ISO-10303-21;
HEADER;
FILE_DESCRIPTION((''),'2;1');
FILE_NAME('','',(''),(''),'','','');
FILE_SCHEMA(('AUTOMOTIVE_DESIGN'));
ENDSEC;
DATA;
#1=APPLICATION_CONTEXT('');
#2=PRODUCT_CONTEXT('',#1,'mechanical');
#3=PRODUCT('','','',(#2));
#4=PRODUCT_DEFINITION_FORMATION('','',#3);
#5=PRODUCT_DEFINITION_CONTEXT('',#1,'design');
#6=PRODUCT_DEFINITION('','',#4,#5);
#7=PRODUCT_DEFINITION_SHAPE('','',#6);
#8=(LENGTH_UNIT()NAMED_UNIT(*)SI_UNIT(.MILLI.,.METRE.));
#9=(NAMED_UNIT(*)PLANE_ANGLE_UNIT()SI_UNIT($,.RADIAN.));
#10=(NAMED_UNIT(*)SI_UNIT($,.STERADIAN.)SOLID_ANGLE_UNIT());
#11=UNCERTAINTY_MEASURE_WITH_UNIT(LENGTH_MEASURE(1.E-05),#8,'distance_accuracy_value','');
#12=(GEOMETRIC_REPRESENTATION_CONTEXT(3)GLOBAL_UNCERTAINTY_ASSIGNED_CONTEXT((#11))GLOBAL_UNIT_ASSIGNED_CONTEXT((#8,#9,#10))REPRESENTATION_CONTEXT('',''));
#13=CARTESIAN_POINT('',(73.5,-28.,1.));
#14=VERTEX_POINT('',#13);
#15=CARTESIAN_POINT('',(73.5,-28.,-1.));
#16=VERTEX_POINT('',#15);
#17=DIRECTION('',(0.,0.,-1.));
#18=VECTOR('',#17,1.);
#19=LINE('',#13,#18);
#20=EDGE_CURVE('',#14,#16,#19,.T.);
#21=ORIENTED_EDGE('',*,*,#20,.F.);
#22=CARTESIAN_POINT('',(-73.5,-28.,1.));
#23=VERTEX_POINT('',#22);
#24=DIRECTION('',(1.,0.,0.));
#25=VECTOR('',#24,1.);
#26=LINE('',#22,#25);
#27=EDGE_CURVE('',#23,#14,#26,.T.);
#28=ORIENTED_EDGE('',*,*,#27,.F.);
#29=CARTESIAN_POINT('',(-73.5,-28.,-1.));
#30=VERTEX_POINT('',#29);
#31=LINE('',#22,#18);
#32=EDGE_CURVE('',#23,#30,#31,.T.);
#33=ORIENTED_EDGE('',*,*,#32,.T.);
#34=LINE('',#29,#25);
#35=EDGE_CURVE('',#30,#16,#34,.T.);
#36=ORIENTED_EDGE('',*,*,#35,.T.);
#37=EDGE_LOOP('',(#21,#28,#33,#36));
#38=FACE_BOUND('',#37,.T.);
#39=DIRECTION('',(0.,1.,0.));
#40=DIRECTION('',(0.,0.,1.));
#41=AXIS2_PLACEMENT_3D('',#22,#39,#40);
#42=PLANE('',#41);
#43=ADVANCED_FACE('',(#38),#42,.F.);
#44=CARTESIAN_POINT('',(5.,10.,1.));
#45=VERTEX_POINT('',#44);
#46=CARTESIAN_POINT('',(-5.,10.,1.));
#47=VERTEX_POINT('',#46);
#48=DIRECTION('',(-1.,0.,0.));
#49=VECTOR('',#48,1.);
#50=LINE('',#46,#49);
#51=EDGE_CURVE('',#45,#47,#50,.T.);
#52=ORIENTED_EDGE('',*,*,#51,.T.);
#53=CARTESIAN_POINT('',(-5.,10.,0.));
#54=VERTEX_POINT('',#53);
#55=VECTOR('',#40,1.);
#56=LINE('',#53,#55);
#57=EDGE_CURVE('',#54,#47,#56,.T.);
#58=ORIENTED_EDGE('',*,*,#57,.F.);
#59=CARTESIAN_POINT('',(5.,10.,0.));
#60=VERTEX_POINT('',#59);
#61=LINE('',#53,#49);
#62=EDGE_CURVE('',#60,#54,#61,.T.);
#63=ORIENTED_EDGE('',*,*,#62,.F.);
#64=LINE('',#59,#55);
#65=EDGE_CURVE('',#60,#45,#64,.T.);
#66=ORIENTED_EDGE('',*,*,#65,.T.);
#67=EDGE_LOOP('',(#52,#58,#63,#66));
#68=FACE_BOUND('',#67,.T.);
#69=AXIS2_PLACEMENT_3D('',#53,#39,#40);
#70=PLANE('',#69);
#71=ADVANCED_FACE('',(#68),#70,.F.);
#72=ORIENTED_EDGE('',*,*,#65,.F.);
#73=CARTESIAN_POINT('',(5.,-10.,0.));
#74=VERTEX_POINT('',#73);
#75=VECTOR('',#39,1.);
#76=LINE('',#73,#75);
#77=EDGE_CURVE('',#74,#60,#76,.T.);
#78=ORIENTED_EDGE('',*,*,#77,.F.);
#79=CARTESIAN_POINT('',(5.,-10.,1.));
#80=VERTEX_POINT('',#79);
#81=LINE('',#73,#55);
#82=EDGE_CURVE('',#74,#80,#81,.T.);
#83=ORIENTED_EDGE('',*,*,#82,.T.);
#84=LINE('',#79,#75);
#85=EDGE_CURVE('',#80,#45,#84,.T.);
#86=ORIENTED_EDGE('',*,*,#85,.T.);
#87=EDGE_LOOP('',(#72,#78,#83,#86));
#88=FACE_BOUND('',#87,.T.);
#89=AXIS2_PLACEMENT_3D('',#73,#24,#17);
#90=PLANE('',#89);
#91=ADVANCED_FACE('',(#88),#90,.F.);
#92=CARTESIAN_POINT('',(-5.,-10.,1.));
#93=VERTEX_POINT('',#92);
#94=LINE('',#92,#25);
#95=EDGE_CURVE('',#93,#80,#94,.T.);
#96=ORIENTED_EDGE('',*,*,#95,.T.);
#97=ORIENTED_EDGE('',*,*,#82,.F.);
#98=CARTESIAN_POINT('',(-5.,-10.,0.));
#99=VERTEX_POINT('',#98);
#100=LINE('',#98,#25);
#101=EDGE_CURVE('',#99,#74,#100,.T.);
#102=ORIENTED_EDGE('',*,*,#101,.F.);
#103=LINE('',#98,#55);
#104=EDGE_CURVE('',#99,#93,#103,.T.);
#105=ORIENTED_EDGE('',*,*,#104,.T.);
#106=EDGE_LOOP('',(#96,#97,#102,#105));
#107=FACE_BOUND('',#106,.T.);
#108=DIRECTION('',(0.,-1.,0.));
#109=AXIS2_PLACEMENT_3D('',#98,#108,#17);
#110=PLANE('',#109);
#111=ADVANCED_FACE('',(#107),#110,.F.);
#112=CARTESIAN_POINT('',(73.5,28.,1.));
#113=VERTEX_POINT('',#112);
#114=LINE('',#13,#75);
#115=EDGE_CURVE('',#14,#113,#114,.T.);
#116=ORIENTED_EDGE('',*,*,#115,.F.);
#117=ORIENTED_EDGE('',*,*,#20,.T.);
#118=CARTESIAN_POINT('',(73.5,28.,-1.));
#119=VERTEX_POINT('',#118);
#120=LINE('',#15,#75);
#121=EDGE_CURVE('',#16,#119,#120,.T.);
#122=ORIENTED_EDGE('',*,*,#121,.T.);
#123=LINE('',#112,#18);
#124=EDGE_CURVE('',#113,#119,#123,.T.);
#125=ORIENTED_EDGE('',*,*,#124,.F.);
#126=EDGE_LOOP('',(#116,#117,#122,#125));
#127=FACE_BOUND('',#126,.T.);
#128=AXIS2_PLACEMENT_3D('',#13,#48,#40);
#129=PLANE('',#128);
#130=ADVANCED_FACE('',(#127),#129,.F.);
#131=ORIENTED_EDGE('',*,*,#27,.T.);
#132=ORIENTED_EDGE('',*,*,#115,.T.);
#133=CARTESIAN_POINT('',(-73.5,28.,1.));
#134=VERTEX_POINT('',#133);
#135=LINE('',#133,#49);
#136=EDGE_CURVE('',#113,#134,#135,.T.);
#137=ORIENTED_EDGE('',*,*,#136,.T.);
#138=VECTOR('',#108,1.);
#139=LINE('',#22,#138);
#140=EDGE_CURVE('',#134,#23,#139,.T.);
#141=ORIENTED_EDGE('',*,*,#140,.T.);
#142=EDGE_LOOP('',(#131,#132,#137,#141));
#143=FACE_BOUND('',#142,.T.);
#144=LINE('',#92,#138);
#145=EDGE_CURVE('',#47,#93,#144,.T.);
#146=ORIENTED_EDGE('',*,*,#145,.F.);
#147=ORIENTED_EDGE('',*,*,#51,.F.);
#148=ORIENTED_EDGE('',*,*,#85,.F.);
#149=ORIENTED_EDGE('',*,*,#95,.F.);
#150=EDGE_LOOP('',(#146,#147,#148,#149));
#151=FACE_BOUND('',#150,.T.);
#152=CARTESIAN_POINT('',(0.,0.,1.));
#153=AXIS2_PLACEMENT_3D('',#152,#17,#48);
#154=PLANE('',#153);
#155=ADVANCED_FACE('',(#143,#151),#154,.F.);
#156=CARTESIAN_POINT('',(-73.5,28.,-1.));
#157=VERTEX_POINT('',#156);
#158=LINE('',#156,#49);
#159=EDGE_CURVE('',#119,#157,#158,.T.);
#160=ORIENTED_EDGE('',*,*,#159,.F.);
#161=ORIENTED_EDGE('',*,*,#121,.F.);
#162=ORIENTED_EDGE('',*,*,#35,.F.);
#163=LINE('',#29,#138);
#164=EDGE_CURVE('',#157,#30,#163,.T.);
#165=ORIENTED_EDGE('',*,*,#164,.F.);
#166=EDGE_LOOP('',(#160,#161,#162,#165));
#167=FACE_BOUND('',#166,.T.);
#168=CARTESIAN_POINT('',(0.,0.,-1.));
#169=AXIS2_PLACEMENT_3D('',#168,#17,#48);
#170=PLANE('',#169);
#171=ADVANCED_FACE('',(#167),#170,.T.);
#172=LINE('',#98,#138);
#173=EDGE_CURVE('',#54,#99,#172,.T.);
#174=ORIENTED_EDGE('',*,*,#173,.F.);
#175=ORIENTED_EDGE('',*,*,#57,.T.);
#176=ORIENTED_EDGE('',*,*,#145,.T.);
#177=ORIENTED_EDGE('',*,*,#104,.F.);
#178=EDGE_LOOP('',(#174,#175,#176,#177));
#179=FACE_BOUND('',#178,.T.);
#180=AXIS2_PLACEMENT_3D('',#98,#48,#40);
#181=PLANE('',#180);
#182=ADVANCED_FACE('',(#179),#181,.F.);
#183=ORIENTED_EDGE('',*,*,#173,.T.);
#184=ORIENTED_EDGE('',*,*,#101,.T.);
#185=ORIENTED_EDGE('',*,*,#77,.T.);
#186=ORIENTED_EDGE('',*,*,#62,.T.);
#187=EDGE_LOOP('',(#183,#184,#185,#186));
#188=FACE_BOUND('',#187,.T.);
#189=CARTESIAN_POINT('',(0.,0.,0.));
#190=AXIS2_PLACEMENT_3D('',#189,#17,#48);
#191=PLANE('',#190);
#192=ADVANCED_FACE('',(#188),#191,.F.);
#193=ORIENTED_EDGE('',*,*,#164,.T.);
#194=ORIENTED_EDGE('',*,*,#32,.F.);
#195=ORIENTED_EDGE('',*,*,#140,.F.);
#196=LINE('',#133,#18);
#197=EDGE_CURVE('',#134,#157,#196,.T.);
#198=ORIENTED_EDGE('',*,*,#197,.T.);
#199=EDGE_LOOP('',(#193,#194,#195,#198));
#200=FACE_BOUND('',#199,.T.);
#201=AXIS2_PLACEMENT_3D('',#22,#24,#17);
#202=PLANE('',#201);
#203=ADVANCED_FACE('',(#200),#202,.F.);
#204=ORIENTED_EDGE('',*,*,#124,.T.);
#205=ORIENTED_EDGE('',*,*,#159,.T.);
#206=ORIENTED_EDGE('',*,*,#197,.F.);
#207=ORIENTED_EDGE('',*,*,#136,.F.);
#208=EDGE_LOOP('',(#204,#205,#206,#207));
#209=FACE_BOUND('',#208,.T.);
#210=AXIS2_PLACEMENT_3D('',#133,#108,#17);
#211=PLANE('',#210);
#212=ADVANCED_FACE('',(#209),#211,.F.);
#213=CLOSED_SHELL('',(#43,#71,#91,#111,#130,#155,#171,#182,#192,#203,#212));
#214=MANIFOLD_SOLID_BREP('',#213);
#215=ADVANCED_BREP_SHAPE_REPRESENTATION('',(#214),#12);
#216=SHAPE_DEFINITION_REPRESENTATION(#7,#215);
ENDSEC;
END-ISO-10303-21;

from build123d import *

# Parameters (mm, degrees)
ESQUISSE1_W             = 147
ESQUISSE1_H             = 56
BOSS_EXTRU_1_DEPTH      = 1
ESQUISSE2_W             = 10
ESQUISSE2_H             = 20
ENL_V_MAT_EXTRU_1_DEPTH = 1


with BuildPart() as part:
    # Esquisse1 → Boss.-Extru.1 (new, symmetric)
    with BuildSketch(Plane.XY):
        Rectangle(ESQUISSE1_W, ESQUISSE1_H)
    extrude(amount=BOSS_EXTRU_1_DEPTH, both=True)

    # Esquisse2 → Enlèv. mat.-Extru.1 (cut)
    with BuildSketch(Plane.XY.offset(1)):
        Rectangle(ESQUISSE2_W, ESQUISSE2_H)
    extrude(amount=-ENL_V_MAT_EXTRU_1_DEPTH, mode=Mode.SUBTRACT)


solid = part.part
